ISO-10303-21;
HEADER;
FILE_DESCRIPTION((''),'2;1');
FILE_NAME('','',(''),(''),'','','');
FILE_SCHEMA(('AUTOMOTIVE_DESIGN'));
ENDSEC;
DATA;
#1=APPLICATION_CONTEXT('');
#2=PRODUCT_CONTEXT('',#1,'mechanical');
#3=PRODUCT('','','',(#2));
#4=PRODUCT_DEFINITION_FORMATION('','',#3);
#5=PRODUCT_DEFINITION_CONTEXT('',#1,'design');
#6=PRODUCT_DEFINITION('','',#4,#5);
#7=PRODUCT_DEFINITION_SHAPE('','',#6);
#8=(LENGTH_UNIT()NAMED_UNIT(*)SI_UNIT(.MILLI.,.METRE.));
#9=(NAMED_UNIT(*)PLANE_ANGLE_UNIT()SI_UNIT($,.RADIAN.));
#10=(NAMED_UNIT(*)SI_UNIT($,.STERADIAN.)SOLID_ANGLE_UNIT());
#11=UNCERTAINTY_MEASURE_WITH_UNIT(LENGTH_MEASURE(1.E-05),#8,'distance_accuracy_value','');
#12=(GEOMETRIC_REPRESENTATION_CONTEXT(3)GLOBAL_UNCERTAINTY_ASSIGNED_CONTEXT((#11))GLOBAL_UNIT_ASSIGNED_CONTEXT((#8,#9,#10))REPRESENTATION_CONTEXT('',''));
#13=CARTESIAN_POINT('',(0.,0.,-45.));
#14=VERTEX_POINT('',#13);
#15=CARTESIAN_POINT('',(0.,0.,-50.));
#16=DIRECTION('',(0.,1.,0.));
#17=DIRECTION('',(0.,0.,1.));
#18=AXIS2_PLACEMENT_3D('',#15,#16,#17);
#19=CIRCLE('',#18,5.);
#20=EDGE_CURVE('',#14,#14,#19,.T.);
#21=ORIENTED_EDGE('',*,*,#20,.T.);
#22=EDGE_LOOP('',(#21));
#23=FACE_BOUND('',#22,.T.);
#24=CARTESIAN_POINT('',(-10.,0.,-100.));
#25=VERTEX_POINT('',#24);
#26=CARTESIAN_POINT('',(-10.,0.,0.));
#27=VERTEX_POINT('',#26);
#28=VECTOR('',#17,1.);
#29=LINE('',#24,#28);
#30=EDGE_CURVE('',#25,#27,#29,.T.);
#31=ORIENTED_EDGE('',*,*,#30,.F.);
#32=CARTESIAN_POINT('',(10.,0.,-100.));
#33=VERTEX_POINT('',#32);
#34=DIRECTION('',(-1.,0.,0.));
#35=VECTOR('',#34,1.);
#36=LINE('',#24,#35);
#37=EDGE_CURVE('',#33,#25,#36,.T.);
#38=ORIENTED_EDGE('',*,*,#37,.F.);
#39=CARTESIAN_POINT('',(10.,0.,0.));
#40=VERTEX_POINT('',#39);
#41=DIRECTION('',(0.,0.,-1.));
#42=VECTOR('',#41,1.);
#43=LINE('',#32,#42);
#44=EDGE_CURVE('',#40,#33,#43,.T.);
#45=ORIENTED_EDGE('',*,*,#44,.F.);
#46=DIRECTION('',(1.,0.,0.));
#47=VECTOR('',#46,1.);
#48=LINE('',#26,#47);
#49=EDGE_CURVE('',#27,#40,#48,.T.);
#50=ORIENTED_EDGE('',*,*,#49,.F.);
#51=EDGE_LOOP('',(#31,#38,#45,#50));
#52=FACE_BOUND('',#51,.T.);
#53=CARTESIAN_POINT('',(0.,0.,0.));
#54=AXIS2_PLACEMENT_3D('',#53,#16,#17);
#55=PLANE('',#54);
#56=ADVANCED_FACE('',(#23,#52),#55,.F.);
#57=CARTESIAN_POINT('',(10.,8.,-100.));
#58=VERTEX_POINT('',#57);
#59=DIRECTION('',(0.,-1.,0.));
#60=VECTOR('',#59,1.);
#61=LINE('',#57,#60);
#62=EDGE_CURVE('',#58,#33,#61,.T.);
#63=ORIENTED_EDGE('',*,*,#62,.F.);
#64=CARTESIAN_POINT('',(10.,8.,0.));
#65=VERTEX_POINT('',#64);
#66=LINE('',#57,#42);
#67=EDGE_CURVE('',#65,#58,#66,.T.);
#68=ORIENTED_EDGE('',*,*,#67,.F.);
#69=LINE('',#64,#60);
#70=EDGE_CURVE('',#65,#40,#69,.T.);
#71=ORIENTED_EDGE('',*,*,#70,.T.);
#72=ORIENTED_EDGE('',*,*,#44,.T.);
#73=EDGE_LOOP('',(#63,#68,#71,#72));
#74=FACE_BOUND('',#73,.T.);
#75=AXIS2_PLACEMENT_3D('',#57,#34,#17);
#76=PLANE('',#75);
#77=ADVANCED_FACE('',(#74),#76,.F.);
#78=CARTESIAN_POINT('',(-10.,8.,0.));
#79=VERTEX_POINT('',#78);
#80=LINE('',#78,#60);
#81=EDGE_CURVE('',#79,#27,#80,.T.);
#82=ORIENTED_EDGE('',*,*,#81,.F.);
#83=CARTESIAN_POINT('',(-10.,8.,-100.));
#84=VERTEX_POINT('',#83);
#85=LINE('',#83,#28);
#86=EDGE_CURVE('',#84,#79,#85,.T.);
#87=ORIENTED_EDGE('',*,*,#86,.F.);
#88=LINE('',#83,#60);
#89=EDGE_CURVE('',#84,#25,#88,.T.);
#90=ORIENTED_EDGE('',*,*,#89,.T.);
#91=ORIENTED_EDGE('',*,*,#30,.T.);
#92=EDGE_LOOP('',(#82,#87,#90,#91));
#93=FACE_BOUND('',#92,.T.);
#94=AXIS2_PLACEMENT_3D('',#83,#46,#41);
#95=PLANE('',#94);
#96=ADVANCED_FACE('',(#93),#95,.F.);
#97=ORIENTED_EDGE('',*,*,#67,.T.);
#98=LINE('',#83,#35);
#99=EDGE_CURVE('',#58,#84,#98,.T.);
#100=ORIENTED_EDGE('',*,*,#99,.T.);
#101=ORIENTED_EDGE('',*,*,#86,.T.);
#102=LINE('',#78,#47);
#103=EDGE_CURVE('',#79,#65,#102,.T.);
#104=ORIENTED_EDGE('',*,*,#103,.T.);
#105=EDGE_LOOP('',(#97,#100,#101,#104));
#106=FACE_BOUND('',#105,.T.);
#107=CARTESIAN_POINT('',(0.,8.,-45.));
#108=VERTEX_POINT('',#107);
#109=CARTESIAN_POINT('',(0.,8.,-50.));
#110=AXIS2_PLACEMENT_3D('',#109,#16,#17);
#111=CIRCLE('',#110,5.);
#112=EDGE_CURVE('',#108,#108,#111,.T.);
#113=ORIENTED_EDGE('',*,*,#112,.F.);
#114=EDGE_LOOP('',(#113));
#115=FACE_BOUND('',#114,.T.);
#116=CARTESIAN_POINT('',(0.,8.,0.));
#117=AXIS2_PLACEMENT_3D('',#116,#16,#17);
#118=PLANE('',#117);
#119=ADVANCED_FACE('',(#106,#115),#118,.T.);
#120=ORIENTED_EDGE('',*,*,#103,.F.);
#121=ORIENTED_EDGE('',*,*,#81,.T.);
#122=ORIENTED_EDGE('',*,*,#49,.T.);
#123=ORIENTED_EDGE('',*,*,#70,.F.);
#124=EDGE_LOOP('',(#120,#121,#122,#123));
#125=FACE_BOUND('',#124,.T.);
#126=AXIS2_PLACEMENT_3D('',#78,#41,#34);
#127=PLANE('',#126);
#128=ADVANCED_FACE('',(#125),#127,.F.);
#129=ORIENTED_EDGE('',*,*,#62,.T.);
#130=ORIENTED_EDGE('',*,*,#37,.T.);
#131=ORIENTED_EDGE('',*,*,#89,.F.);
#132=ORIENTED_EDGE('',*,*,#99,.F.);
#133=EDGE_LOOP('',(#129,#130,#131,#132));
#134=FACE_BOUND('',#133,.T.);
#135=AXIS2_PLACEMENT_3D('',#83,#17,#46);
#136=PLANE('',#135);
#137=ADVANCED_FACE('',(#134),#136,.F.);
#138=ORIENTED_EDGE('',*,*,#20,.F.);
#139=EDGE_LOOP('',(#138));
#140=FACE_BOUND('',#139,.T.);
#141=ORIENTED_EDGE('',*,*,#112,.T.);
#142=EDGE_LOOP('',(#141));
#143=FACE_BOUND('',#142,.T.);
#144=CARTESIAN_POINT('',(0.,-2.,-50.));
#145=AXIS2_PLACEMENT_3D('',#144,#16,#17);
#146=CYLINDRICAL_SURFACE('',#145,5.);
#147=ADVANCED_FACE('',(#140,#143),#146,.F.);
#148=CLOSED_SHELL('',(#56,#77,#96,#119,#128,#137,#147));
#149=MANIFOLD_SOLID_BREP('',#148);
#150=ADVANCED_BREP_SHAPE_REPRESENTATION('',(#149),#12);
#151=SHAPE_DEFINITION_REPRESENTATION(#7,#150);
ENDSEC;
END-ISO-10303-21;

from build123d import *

# Parameters (mm, degrees)
SKETCH_1_W          = 20
SKETCH_1_H          = 100
EXTRUDE_1_DEPTH     = 8
SKETCH_2_R          = 5
CUT_EXTRUDE_1_DEPTH = 10


with BuildPart() as part:
    # 草图1 → 凸台-拉伸1 (new body)
    with BuildSketch(Plane(origin=(0, 0, 0), x_dir=(1, 0, 0), z_dir=(0, 1, 0))):
        with Locations((0, 50)):
            Rectangle(SKETCH_1_W, SKETCH_1_H)
    extrude(amount=EXTRUDE_1_DEPTH)

    # 草图2 → 切除-拉伸1 (cut)
    with BuildSketch(Plane(origin=(0, 8, 0), x_dir=(1, 0, 0), z_dir=(0, 1, 0))):
        with Locations(Location((0, 50, 0), (0, 0, 270))):
            Circle(SKETCH_2_R)
    extrude(amount=-CUT_EXTRUDE_1_DEPTH, mode=Mode.SUBTRACT)


solid = part.part
